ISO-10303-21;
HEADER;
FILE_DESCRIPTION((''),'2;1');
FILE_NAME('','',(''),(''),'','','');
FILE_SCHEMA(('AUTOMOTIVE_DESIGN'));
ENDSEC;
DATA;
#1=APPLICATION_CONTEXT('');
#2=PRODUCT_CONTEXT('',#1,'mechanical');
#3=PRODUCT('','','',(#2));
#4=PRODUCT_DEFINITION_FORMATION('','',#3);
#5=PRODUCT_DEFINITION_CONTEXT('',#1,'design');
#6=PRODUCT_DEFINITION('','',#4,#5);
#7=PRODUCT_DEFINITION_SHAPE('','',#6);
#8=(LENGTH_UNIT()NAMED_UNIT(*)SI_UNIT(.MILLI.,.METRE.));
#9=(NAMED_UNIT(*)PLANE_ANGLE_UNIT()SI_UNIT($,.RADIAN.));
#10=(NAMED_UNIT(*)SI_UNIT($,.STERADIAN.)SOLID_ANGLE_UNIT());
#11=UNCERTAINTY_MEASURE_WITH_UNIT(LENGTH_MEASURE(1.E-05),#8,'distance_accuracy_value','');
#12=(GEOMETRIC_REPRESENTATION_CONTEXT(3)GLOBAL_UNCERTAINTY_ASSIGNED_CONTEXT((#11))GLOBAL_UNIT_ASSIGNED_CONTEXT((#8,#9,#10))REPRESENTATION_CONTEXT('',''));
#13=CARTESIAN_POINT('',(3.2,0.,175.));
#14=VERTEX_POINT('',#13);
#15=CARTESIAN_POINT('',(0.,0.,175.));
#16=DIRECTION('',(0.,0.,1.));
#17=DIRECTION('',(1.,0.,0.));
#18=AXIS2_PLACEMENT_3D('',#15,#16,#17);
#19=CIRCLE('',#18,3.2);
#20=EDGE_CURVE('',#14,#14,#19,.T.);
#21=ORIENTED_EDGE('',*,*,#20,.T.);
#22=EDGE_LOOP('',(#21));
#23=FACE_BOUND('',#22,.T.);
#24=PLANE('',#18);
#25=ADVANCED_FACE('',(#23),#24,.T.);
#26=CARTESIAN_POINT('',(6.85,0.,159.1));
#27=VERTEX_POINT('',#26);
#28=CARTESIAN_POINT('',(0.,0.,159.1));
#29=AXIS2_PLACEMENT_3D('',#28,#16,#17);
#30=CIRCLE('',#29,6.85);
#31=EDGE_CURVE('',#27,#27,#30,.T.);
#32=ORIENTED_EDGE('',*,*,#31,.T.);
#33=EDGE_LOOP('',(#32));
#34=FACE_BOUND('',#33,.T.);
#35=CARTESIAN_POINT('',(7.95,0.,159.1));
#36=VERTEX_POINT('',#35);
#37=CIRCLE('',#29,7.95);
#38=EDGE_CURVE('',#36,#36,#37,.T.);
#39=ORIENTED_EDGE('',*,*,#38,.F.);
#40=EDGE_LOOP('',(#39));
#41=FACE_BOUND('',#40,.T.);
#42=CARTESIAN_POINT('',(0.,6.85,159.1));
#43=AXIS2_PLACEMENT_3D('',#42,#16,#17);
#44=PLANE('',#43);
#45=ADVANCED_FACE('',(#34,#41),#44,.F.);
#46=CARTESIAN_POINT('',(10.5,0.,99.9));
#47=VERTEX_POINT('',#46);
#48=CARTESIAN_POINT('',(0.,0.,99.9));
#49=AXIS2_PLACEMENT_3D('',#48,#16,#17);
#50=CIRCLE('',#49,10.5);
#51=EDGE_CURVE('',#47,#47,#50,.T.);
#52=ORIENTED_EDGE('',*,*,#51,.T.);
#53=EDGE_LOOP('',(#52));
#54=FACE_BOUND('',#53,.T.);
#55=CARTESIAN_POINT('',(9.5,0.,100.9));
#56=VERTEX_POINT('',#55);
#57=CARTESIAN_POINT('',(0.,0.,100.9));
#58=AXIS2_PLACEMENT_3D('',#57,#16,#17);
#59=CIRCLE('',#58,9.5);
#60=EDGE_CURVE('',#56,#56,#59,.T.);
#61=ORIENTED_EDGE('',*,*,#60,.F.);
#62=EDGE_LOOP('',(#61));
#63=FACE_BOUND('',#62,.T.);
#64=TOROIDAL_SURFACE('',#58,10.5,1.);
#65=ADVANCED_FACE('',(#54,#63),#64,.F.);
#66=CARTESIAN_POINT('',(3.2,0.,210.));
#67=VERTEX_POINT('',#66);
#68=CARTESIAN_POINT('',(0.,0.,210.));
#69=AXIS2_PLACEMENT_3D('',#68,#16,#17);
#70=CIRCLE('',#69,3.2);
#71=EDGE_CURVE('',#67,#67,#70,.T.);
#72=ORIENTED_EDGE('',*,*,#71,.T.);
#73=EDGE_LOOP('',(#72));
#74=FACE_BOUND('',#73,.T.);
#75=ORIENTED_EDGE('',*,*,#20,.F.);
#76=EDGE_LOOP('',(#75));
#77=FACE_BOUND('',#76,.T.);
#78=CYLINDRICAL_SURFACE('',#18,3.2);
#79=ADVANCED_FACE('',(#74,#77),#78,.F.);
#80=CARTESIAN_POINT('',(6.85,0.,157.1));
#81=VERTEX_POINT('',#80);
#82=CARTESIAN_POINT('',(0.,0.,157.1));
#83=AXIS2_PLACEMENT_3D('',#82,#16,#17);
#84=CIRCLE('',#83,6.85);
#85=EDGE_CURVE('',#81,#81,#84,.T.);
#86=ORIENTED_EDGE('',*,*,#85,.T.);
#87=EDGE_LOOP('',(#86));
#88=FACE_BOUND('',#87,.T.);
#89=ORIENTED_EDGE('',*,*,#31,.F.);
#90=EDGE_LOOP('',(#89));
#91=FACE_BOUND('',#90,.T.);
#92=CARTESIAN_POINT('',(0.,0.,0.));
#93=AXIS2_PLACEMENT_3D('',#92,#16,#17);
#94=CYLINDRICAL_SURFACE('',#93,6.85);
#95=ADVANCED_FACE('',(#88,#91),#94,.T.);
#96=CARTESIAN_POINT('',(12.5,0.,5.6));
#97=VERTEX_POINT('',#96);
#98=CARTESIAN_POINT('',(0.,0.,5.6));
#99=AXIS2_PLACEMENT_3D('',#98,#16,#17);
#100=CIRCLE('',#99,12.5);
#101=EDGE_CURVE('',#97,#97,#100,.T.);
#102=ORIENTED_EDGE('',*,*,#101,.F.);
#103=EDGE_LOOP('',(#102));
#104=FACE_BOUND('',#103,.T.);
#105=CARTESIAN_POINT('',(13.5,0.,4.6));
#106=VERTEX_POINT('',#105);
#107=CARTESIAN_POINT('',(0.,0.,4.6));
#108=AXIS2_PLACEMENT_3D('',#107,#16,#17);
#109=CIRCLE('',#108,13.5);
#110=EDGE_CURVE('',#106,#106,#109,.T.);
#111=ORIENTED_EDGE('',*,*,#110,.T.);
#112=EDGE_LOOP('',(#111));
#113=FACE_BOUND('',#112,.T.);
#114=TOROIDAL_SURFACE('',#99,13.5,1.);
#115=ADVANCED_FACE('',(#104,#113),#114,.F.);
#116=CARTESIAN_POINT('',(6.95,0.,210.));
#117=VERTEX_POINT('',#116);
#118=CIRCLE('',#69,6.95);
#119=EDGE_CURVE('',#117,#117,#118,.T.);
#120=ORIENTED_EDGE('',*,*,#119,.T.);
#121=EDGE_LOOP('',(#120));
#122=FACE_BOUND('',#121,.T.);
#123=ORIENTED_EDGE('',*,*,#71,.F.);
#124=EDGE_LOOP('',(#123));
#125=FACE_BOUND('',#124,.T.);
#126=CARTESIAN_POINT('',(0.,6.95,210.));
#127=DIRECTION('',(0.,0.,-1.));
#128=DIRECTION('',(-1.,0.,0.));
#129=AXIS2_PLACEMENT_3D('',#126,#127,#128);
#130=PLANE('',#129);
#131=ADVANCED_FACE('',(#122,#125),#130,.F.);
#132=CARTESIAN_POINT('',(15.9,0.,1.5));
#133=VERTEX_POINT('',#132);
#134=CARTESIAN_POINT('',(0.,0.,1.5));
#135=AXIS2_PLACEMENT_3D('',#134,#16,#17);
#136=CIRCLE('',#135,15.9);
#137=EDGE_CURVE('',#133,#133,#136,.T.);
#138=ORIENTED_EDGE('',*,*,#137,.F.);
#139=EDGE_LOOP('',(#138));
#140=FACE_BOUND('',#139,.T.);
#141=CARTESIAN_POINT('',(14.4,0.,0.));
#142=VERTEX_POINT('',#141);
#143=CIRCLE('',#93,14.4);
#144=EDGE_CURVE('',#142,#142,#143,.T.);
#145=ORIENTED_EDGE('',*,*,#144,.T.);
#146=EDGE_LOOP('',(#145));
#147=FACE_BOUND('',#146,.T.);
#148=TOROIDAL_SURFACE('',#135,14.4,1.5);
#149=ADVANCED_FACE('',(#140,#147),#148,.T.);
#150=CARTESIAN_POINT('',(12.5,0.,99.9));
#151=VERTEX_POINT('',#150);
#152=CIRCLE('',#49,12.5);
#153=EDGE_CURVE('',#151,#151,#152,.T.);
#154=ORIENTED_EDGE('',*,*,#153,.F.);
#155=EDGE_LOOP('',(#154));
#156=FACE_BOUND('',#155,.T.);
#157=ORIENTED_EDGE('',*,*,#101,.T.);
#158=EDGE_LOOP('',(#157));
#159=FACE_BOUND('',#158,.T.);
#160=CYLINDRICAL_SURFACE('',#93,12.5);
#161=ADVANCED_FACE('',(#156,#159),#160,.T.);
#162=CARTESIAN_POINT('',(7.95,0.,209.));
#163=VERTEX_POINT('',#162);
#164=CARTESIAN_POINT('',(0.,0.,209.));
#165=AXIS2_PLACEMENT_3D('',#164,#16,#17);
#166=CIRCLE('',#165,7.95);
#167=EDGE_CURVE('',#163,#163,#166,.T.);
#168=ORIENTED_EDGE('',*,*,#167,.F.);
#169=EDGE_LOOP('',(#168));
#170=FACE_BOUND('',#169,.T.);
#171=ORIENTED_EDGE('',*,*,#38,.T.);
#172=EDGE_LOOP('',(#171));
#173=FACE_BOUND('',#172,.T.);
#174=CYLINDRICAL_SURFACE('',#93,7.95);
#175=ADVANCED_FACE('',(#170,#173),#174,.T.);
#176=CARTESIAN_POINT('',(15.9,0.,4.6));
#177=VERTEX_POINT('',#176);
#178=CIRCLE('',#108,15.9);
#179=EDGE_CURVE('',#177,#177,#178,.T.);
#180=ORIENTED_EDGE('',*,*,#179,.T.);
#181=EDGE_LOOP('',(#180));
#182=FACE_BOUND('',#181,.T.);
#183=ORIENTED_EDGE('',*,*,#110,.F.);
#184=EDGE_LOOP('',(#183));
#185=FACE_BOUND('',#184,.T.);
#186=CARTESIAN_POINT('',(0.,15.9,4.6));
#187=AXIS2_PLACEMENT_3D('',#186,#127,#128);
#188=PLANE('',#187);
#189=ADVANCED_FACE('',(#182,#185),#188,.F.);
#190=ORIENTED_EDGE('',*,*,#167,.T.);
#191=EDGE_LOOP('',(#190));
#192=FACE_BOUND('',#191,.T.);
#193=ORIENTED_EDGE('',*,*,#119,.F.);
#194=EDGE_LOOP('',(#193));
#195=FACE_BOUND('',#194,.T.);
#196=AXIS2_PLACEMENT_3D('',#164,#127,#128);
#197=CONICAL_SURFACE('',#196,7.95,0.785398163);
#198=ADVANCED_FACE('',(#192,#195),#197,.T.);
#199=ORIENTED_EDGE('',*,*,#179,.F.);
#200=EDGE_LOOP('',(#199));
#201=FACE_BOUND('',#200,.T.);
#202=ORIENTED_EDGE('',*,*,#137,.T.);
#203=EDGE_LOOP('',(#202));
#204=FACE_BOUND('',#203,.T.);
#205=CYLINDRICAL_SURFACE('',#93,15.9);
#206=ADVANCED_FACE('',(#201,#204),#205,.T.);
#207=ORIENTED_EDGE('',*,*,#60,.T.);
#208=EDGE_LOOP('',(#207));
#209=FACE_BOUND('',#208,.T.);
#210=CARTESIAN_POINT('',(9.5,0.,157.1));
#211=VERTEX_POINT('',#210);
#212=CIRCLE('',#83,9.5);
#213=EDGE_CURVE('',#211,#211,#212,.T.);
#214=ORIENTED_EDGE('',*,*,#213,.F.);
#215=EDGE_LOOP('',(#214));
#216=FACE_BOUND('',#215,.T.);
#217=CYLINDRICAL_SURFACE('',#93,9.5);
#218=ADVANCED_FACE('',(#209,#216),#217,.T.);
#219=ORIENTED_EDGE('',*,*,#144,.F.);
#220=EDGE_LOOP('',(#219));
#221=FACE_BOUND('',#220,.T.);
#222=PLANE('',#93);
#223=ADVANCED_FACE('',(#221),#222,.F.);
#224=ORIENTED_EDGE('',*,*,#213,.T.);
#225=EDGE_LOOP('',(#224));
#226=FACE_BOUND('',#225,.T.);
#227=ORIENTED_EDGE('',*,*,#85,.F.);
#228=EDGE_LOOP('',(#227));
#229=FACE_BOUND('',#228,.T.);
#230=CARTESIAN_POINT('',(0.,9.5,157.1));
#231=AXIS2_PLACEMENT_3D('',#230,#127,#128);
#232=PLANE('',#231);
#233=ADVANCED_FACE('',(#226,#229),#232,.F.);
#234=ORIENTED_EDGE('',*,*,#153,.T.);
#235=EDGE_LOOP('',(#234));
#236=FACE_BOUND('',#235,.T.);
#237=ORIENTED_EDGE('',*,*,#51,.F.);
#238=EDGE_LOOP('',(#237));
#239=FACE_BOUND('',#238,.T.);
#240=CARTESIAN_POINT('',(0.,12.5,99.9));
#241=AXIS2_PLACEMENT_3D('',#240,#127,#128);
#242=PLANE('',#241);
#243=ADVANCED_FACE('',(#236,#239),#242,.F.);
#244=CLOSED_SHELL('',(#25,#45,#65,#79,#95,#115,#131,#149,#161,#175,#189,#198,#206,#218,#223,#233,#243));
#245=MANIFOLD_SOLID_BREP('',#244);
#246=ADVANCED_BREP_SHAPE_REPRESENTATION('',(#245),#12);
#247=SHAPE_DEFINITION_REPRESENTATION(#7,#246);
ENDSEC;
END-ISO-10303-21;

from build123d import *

# Parameters (mm, degrees)
SKETCH3_R          = 3.2
CUT_EXTRUDE1_DEPTH = 35


with BuildPart() as part:
    # Sketch2 → Base-Revolve (revolve)
    with BuildSketch(Plane(origin=(0, 0, 0), x_dir=(0, 0, -1), z_dir=(1, 0, 0)), mode=Mode.PRIVATE) as base_revolve_sk:
        with BuildLine():
            Line((0, 0), (0, 14.4))
            ThreePointArc((0, 14.4), (-0.439339828, 15.460660172), (-1.5, 15.9))
            Line((-1.5, 15.9), (-4.6, 15.9))
            Line((-4.6, 15.9), (-4.6, 13.5))
            ThreePointArc((-4.6, 13.5), (-4.892893219, 12.792893219), (-5.6, 12.5))
            Line((-5.6, 12.5), (-99.9, 12.5))
            Line((-99.9, 12.5), (-99.9, 10.5))
            ThreePointArc((-99.9, 10.5), (-100.192893219, 9.792893219), (-100.9, 9.5))
            Line((-100.9, 9.5), (-157.1, 9.5))
            Line((-157.1, 9.5), (-157.1, 6.85))
            Line((-157.1, 6.85), (-159.1, 6.85))
            Line((-159.1, 6.85), (-159.1, 7.95))
            Line((-159.1, 7.95), (-209, 7.95))
            Line((-209, 7.95), (-210, 6.95))
            Line((-210, 6.95), (-210, 0))
            Line((-210, 0), (0, 0))
        make_face()
    revolve(base_revolve_sk.sketch.rotate(Axis((0, 0, 0), (0, 0, -1)), 90), axis=Axis((0, 0, 0), (0, 0, -1)))

    # Sketch3 → Cut-Extrude1 (cut)
    with BuildSketch(Plane.XY.offset(210)):
        Circle(SKETCH3_R)
    extrude(amount=-CUT_EXTRUDE1_DEPTH, mode=Mode.SUBTRACT)


solid = part.part
